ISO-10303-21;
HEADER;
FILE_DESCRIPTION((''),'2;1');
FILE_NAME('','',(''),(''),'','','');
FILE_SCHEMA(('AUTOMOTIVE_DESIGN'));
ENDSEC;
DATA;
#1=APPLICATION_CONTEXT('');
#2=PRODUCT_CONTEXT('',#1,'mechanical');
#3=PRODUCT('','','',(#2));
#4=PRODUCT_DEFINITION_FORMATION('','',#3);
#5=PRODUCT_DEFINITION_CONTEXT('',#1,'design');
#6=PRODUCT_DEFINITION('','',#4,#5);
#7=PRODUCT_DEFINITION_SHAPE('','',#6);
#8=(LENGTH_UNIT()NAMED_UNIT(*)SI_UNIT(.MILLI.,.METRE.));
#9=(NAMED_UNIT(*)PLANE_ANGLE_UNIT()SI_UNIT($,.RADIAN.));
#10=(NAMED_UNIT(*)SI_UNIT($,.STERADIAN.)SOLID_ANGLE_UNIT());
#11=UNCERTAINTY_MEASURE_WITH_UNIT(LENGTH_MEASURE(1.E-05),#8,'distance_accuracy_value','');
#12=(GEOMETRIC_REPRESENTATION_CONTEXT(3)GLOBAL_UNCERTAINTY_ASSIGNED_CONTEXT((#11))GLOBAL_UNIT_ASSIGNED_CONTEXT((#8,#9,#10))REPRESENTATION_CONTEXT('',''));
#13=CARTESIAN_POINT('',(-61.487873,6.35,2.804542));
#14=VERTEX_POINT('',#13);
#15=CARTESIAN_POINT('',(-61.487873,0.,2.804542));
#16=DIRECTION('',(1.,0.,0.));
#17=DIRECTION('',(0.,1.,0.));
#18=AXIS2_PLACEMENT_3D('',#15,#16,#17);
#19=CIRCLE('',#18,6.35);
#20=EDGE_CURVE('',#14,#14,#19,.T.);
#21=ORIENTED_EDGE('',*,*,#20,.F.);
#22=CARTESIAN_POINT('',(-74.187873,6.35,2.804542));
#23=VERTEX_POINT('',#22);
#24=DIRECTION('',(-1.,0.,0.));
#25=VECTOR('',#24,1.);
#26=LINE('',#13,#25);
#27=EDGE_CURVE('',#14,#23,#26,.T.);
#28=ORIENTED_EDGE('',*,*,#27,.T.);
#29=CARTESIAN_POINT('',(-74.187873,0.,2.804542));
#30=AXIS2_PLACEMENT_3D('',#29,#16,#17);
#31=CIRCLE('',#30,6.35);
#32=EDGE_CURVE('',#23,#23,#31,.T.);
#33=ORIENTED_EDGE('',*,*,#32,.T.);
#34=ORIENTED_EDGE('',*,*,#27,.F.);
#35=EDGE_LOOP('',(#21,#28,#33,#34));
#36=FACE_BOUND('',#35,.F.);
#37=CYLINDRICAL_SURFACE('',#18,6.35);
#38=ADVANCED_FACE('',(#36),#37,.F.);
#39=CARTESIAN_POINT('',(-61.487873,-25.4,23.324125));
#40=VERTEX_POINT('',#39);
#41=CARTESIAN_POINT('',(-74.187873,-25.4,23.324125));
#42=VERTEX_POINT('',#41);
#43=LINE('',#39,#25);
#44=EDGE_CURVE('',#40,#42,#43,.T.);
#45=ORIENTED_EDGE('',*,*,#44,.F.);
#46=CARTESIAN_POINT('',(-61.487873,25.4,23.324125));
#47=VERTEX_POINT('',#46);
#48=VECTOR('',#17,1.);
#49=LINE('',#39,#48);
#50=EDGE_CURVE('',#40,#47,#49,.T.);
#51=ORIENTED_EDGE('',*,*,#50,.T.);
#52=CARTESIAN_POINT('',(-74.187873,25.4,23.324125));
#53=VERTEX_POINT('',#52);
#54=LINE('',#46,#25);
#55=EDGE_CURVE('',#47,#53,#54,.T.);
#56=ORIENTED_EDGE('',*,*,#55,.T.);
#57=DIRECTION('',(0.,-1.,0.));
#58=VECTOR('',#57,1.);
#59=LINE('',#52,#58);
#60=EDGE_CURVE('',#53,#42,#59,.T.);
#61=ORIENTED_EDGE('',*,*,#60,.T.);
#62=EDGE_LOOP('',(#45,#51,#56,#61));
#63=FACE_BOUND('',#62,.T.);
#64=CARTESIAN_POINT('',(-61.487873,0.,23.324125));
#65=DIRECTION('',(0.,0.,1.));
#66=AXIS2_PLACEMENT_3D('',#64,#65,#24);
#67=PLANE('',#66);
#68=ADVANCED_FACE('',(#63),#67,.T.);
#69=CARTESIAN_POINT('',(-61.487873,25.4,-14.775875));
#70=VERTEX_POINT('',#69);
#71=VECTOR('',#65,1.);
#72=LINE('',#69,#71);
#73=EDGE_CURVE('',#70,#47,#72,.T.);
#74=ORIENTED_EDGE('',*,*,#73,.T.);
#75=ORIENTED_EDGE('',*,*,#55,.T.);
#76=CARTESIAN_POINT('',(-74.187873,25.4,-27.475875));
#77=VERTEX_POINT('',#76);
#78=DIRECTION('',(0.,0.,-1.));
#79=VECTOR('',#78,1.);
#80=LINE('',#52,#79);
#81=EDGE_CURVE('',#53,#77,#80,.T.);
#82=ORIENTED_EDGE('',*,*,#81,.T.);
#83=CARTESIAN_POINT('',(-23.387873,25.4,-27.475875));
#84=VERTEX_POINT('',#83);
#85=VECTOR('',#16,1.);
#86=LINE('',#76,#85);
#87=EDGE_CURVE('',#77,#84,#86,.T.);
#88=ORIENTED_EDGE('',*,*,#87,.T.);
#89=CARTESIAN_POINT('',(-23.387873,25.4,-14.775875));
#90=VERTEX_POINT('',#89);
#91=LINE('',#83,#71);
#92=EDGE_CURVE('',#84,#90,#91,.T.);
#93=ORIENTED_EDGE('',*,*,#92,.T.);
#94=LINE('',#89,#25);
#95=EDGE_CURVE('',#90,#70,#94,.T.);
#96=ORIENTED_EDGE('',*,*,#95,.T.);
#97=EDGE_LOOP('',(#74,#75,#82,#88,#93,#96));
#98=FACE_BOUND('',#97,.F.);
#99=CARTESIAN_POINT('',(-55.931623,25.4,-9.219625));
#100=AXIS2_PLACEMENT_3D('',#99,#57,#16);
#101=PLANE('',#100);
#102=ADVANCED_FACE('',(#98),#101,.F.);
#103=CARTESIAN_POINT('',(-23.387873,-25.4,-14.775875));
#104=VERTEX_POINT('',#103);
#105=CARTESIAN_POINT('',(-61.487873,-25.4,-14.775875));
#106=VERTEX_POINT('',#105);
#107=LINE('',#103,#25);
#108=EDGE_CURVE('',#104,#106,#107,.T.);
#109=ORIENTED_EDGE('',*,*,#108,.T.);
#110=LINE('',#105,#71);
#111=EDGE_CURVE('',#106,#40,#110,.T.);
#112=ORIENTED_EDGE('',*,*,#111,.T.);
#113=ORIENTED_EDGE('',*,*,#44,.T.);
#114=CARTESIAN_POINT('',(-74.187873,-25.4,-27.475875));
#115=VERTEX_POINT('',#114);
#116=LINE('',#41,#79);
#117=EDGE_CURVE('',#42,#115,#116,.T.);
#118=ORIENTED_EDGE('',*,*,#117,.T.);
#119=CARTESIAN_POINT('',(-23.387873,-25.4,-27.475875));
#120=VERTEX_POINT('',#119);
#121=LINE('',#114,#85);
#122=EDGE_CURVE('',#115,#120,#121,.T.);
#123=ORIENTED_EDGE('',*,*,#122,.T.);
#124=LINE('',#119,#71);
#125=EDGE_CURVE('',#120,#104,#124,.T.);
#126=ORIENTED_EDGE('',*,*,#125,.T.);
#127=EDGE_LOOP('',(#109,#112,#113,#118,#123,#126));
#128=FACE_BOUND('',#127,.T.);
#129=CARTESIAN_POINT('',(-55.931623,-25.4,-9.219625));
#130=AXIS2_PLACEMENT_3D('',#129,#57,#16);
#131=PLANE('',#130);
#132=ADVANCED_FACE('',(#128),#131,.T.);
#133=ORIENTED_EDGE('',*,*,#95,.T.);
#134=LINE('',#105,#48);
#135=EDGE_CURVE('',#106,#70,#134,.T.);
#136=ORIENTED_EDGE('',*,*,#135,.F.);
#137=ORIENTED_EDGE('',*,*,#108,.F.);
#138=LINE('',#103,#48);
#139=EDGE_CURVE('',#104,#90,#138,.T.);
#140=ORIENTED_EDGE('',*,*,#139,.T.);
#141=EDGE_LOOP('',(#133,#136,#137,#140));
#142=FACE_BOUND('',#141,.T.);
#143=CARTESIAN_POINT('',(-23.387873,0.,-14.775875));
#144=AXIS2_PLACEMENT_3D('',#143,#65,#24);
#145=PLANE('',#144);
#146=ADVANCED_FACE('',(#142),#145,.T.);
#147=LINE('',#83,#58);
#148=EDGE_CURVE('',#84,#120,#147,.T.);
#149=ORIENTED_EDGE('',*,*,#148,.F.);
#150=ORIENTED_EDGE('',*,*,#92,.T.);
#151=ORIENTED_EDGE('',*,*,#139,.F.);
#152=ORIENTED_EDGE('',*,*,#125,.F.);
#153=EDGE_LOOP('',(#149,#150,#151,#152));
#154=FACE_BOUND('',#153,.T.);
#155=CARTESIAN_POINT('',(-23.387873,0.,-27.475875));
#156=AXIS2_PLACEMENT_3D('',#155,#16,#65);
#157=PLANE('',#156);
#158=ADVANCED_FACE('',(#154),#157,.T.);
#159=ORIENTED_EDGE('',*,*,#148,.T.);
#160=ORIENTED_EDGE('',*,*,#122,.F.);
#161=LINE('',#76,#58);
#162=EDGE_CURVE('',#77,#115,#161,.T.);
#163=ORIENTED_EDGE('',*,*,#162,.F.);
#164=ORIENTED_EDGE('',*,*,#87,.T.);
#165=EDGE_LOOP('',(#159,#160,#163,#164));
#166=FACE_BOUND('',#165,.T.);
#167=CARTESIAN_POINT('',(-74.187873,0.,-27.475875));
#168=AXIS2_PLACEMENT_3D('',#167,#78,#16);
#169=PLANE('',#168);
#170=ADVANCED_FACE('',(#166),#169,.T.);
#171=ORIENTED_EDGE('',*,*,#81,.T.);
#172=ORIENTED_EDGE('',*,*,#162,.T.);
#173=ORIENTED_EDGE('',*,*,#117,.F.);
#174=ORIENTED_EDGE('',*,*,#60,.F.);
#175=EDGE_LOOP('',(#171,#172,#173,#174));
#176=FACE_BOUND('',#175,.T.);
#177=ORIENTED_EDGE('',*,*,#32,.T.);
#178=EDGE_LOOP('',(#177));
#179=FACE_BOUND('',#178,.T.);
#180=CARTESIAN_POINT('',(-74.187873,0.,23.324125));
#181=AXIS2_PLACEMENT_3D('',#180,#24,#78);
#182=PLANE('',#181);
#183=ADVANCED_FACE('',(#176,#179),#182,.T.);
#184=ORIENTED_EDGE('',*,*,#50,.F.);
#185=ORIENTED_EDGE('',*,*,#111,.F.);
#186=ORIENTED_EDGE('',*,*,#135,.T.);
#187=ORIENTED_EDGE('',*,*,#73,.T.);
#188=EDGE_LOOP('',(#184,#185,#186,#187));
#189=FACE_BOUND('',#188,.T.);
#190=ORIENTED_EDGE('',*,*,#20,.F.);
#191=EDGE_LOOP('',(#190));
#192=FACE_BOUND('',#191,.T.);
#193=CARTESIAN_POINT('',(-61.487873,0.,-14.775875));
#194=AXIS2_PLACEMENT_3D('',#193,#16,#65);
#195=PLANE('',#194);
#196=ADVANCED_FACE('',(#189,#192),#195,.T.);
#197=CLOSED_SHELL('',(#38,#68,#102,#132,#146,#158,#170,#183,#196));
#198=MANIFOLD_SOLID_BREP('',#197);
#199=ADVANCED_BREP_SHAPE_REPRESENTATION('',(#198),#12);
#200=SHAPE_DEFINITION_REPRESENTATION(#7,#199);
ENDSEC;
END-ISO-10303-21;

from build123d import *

# Parameters (mm, degrees)
F1_DEPTH = 25.4
F2_R     = 6.35
F3_DEPTH = 12.701


with BuildPart() as f1:
    # F0 (on Front) → F1 (new body, symmetric)
    with BuildSketch(Plane.XZ):
        Polygon((-61.487873, 23.324125), (-74.187873, 23.324125), (-74.187873, -27.475875), (-23.387873, -27.475875), (-23.387873, -14.775875), (-61.487873, -14.775875), align=None)
    extrude(amount=F1_DEPTH, both=True)

    # F2 (on face) → F3 (cut, through all)
    with BuildSketch(Plane.YZ.offset(-61.487873)):
        with Locations((0, 2.804542)):
            Circle(F2_R)
    extrude(amount=-F3_DEPTH, mode=Mode.SUBTRACT)


solid = f1.part
